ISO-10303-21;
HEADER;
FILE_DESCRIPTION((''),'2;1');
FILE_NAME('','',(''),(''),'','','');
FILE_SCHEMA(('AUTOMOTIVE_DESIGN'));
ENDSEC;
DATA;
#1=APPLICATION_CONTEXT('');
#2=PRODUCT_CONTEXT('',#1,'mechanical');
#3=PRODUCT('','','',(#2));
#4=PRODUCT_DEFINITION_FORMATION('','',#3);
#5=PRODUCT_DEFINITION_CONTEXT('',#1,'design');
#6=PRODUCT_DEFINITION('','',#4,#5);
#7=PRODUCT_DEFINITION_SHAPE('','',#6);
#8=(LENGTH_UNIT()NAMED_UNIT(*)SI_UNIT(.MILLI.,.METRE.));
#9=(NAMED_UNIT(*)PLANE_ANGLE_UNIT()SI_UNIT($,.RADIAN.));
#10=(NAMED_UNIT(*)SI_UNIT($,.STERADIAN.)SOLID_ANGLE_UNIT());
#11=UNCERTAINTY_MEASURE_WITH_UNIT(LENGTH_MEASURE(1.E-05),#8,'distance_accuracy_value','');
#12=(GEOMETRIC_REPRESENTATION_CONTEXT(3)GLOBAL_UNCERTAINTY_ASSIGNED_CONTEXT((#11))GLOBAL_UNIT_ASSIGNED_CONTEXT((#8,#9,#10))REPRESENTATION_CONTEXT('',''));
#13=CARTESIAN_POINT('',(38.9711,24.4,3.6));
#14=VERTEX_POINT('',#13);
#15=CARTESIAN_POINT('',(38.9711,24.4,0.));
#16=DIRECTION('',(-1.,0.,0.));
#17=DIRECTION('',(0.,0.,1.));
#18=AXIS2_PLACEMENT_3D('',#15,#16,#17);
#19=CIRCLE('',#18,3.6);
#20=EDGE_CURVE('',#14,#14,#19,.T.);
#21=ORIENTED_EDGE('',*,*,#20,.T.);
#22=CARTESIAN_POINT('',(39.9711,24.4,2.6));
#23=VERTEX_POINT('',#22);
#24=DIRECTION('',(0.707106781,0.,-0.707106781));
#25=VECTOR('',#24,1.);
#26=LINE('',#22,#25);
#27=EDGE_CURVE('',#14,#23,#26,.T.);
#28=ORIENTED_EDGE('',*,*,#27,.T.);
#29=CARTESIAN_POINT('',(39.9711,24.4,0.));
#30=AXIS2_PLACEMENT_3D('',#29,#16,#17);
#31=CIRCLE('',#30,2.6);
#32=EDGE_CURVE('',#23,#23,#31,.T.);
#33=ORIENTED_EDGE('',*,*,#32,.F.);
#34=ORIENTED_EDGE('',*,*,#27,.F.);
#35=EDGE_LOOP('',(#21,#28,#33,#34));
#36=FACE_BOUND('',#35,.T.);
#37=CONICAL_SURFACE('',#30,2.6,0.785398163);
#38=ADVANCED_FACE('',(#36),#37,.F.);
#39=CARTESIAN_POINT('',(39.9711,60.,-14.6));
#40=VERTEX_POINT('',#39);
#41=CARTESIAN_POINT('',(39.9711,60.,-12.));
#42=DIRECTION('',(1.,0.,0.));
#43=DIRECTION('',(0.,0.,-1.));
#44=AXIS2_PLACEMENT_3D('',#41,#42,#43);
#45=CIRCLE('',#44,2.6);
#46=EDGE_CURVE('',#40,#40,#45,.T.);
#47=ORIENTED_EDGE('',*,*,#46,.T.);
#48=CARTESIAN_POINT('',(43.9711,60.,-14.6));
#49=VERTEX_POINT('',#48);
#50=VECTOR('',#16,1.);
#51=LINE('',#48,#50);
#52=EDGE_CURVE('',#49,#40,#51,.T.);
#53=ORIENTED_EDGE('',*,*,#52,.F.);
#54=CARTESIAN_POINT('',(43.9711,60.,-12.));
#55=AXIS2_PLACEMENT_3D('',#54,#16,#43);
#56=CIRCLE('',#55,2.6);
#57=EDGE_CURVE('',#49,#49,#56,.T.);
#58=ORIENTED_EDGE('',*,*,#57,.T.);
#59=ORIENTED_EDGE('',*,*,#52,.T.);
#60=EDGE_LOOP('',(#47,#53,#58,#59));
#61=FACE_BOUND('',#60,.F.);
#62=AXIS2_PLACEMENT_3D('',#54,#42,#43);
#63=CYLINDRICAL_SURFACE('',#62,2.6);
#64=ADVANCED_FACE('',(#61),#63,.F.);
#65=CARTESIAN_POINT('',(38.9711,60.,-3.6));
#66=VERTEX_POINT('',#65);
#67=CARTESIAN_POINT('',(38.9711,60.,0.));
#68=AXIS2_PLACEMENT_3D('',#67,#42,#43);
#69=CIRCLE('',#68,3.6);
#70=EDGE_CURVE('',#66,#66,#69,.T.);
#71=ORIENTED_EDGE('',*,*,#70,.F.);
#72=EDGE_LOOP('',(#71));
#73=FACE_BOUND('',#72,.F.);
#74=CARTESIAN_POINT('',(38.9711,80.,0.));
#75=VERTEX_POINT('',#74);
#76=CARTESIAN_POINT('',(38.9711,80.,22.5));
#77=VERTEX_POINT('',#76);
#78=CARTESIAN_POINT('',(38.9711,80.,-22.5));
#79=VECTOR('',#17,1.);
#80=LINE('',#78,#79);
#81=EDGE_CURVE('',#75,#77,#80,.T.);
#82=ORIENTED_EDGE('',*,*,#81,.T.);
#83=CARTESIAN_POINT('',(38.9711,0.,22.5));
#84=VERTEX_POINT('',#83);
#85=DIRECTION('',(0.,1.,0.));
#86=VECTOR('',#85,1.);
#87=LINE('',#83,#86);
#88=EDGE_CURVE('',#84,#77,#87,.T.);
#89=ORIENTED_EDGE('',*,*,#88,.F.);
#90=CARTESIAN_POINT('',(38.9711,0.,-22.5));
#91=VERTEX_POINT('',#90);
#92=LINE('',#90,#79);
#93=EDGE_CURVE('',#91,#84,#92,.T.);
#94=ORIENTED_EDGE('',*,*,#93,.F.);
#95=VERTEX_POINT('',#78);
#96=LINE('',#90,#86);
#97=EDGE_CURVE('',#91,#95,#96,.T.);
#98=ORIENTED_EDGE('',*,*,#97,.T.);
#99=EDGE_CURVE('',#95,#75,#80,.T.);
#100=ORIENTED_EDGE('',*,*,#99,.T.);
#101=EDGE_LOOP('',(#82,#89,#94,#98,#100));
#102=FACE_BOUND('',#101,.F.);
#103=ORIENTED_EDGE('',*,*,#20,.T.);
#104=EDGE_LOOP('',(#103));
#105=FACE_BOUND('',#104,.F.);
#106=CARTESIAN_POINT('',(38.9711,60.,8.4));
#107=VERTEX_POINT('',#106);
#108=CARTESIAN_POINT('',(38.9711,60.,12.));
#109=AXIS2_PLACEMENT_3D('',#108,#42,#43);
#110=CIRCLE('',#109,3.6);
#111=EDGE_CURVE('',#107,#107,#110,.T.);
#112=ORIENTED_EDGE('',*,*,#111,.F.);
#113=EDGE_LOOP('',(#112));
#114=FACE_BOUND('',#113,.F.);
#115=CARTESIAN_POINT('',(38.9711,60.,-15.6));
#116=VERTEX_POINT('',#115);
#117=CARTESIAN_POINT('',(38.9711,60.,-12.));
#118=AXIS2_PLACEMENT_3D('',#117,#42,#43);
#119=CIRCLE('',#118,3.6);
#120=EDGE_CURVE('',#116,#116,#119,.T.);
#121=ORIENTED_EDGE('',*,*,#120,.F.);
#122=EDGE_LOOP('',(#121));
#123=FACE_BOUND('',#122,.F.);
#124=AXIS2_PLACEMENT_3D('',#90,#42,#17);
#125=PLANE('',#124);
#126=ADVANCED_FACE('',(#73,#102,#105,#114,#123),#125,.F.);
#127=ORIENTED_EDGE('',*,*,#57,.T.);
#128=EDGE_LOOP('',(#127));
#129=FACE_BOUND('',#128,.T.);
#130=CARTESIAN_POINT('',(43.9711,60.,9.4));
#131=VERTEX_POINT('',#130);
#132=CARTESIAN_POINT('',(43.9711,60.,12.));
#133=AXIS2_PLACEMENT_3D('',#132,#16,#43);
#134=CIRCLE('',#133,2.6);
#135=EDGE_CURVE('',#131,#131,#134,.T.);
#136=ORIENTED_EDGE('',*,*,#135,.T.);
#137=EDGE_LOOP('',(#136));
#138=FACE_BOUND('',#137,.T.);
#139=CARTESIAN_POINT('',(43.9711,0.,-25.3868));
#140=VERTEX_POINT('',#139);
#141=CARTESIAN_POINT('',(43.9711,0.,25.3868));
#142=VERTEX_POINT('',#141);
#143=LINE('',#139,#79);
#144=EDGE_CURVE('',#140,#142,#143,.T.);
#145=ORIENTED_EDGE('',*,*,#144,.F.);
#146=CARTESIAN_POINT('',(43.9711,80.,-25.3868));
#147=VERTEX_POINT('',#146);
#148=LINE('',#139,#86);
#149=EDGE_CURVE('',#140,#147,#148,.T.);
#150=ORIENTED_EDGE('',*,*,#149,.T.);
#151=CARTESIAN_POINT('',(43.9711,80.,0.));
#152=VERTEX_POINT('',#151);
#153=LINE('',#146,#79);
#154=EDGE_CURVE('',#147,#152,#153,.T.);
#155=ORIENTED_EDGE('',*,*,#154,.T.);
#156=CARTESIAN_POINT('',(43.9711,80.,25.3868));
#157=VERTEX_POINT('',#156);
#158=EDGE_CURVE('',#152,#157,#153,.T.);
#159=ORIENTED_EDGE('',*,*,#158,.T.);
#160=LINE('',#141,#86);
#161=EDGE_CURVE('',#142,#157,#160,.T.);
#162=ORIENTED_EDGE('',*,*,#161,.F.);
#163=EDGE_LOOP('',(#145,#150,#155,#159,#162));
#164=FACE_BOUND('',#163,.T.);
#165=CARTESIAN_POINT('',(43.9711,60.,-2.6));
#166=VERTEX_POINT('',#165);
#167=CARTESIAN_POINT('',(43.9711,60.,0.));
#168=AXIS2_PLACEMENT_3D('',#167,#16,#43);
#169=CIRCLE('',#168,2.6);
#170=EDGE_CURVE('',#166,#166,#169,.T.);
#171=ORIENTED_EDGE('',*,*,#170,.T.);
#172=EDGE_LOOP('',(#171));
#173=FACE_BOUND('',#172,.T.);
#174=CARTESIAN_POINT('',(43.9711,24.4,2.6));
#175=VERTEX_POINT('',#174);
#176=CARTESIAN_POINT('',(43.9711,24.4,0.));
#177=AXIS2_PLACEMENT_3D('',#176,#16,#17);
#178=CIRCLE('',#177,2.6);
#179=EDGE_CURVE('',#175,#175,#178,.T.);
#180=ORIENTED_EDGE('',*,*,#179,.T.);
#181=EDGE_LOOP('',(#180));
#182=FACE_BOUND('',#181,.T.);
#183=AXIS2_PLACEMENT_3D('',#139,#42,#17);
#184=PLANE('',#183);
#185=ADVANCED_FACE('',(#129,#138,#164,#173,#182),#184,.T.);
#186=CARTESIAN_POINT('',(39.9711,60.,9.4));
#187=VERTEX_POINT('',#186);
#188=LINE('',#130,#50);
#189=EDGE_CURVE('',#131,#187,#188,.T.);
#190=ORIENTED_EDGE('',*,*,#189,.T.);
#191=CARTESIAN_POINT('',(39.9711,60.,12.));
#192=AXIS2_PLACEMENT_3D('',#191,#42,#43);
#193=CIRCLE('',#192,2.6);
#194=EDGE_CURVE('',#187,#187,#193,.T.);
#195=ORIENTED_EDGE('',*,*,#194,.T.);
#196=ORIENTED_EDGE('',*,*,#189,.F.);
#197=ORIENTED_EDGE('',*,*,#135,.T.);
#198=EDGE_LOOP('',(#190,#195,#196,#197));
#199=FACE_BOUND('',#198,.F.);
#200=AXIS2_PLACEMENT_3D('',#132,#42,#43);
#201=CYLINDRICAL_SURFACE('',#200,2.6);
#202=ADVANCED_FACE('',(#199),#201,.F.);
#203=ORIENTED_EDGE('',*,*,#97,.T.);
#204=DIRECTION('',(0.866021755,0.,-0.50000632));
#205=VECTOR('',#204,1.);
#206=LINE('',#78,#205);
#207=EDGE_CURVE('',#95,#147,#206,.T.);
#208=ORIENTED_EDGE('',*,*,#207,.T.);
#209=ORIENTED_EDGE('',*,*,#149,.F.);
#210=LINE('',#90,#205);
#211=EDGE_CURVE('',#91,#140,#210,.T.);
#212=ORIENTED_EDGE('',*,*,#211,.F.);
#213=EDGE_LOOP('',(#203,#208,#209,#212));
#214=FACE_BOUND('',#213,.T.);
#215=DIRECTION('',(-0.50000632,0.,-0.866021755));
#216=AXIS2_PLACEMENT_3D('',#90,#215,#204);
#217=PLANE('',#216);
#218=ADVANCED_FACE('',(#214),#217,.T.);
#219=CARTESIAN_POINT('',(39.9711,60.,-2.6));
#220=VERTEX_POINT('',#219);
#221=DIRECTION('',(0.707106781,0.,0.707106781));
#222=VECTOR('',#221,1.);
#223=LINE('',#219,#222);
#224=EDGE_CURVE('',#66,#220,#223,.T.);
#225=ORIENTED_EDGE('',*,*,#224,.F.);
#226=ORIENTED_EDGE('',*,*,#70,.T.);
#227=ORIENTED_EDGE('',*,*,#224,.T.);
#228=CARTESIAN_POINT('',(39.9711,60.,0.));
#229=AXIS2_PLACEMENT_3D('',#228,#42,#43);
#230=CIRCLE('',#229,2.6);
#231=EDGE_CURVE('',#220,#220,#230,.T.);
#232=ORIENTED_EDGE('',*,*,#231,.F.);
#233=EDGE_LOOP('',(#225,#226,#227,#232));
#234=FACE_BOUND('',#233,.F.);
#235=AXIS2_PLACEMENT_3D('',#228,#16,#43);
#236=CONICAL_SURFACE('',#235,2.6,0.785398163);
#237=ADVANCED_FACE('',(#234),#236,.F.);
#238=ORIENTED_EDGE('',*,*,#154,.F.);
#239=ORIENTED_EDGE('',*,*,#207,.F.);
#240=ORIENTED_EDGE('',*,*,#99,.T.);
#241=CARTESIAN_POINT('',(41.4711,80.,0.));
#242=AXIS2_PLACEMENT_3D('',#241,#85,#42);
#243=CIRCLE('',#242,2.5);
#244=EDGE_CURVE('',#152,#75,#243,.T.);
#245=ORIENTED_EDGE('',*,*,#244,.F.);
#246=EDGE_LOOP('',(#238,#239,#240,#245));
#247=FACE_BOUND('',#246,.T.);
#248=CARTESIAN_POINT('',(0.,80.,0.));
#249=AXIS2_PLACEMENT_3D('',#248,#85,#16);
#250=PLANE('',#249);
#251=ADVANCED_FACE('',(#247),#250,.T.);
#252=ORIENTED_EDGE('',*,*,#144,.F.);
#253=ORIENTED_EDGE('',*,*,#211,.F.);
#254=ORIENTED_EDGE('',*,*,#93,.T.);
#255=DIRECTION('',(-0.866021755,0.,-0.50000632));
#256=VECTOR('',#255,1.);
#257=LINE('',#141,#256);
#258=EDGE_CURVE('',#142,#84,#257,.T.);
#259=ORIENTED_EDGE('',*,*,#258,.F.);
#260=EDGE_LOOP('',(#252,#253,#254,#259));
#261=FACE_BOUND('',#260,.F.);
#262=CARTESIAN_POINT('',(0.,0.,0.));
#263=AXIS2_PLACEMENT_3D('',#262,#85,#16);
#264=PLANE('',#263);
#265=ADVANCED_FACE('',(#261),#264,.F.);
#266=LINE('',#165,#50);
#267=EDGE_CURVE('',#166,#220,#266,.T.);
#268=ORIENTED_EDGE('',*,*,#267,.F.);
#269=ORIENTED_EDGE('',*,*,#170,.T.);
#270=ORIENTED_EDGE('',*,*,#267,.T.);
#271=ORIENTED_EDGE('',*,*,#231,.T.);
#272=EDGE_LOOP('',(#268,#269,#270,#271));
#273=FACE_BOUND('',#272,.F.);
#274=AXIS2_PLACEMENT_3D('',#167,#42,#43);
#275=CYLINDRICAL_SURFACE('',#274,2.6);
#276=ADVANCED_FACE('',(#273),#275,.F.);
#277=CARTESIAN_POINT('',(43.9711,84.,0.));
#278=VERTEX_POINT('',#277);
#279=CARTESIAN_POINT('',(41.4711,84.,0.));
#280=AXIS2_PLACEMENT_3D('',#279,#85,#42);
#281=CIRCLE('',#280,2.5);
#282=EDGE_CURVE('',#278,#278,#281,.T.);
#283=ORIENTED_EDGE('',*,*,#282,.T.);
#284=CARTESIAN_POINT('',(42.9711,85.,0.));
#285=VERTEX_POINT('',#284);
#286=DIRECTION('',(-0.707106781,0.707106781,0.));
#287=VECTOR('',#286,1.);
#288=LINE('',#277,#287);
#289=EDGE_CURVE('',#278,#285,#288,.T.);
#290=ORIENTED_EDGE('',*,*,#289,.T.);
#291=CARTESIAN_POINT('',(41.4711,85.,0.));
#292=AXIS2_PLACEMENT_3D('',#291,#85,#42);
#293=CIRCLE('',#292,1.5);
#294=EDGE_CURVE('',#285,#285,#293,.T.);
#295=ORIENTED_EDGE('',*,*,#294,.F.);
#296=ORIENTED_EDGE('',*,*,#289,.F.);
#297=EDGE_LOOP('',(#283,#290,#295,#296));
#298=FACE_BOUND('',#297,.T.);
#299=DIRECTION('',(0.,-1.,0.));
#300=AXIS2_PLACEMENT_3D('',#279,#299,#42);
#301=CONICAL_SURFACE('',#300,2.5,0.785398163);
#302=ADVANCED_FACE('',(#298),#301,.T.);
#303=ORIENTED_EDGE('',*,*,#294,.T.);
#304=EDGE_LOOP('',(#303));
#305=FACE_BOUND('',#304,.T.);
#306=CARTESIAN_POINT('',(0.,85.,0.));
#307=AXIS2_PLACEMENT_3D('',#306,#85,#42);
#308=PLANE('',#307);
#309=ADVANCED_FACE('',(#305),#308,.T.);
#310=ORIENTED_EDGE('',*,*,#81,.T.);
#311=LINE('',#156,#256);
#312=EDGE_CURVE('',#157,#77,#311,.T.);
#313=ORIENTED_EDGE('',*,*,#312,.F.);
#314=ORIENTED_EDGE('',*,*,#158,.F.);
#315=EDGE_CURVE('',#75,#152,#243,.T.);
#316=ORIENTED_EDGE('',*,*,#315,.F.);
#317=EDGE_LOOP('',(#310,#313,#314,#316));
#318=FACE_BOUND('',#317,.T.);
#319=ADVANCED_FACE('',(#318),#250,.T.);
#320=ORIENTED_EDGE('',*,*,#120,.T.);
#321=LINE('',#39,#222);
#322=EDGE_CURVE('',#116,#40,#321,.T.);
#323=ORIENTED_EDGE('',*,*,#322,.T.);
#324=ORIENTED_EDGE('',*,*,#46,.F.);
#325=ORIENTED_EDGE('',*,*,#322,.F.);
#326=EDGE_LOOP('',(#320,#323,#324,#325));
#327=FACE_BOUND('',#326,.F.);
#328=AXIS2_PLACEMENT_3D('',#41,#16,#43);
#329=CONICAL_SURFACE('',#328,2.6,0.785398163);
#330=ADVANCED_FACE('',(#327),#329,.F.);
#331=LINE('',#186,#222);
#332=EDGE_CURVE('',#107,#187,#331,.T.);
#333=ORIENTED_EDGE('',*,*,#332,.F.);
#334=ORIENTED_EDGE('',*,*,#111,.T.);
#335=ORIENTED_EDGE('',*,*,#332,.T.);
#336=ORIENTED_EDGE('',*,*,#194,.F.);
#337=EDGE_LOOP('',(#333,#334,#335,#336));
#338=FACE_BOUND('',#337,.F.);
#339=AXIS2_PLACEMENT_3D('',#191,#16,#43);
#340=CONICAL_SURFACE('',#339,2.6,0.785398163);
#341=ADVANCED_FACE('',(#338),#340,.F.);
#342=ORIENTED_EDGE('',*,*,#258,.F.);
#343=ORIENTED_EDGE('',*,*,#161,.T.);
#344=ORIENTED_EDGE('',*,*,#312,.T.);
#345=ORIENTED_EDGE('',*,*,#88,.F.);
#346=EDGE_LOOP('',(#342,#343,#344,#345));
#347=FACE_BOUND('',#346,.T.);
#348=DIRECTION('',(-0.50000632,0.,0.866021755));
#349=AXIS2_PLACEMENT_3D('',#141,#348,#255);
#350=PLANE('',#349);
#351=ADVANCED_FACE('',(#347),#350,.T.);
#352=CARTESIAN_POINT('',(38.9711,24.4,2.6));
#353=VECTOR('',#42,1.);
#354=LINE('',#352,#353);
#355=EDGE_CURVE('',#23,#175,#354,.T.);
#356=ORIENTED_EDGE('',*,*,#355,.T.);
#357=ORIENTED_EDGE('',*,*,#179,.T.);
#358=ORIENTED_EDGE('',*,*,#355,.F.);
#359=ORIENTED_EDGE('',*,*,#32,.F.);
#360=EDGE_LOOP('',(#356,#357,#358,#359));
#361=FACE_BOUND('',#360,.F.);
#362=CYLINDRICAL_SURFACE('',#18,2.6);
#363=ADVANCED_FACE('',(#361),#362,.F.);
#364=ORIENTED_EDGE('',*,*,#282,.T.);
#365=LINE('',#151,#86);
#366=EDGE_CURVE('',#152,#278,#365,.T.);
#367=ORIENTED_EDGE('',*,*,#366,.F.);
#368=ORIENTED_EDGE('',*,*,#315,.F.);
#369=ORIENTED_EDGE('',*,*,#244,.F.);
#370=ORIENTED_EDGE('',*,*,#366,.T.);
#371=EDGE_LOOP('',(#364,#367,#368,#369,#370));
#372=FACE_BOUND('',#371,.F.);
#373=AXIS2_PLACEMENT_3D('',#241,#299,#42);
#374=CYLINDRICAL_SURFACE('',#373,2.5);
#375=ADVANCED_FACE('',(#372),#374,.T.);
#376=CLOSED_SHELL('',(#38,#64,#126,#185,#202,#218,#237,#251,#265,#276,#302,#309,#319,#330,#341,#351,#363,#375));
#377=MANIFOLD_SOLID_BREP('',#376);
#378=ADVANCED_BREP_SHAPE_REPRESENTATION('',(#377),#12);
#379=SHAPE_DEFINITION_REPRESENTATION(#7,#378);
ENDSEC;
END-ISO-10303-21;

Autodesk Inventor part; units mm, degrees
ref_plane "YZ Plane" through (0, 0, 0) normal (1, 0, 0) x (0, 1, 0)
ref_plane "XZ Plane" through (0, 0, 0) normal (0, 1, 0) x (-1, 0, 0)
ref_plane "XY Plane" through (0, 0, 0) normal (0, 0, 1) x (1, 0, 0)
sketch "스케치2" plane through (0, 0, 0) normal (0, 1, 0) x (-1, 0, 0)
  line L0 (0, 45) -> (38.9711, 22.5)
  line L1 (38.9711, 22.5) -> (38.9711, -22.5)
  line L2 (38.9711, -22.5) -> (0, -45)
  line L3 (0, -45) -> (-38.9711, -22.5)
  line L4 (-38.9711, -22.5) -> (-38.9711, 22.5)
  line L5 (-38.9711, 22.5) -> (0, 45)
  line L6 (0, 50.7735) -> (43.9711, 25.3868)
  line L7 (43.9711, 25.3868) -> (43.9711, -25.3868)
  line L8 (43.9711, -25.3868) -> (0, -50.7735)
  line L9 (0, -50.7735) -> (-43.9711, -25.3868)
  line L10 (-43.9711, -25.3868) -> (-43.9711, 25.3868)
  line L11 (-43.9711, 25.3868) -> (0, 50.7735)
  line L12 (-43.9711, 25.3868) -> (-38.9711, 22.5)
  line L13 (-38.9711, -22.5) -> (-43.9711, -25.3868)
  point P0 (0, 0)
  point P1 (0, 0)
  dimension "d0" = 45
  dimension "d1" = 5
extrude "돌출1" add sketch "스케치2" along normal blind 80 contours L4 L13 L10 L12
sketch "스케치3" plane through (38.9711, 0, -22.5) normal (-1, 0, 0) x (0, 0, 1)
  line L0 (0, 0) -> (45, 0) construction
  circle A0 centre (22.5, 24.4) radius 2.6
  point P0 (22.5, 0)
  point P1 (22.5, 0)
  dimension "d4" = 5.2
  dimension "d5" = 24.4
extrude "돌출2" cut sketch "스케치3" against normal through all
sketch "스케치4" plane through (0, 80, 0) normal (0, 1, 0) x (1, 0, 0)
  line L0 (38.9711, 22.5) -> (38.9711, -22.5) construction
  circle A0 centre (41.4711, 0) radius 2.5
  point P0 (0, 0)
  dimension "d8" = 5
extrude "돌출3" add sketch "스케치4" along normal blind 5
sketch "스케치5" plane through (43.9711, 0, 25.3868) normal (1, 0, 0) x (0, 0, -1)
  line L0 (50.7735, 0) -> (50.7735, 80) construction
  line L1 (25.3868, 80) -> (50.7735, 80) construction
  line L2 (0, 0) -> (0, 80) construction
  circle A0 centre (25.3868, 60) radius 2.6
  circle A1 centre (13.3868, 60) radius 2.6
  circle A2 centre (37.3868, 60) radius 2.6
  line L3 (0, 60) -> (50.7735, 60)
  point P0 (25.3868, 0)
  dimension "d11" = 20
  dimension "d12" = 0
  dimension "d13" = 0
  dimension "d14" = 0
  dimension "d15" = 12
  dimension "d16" = 12
  dimension "d17" = 5.2
  dimension "d18" = 5.2
  dimension "d19" = 5.2
extrude "돌출4" cut sketch "스케치5" against normal through all
chamfer "모따기1" distance 1 angle 45 5 edges at (38.9711, 85, 0) (38.9711, 60, -9.4) (38.9711, 60, 2.6) (38.9711, 60, 14.6) (38.9711, 24.4, -2.6)
properties part number "col_face"
